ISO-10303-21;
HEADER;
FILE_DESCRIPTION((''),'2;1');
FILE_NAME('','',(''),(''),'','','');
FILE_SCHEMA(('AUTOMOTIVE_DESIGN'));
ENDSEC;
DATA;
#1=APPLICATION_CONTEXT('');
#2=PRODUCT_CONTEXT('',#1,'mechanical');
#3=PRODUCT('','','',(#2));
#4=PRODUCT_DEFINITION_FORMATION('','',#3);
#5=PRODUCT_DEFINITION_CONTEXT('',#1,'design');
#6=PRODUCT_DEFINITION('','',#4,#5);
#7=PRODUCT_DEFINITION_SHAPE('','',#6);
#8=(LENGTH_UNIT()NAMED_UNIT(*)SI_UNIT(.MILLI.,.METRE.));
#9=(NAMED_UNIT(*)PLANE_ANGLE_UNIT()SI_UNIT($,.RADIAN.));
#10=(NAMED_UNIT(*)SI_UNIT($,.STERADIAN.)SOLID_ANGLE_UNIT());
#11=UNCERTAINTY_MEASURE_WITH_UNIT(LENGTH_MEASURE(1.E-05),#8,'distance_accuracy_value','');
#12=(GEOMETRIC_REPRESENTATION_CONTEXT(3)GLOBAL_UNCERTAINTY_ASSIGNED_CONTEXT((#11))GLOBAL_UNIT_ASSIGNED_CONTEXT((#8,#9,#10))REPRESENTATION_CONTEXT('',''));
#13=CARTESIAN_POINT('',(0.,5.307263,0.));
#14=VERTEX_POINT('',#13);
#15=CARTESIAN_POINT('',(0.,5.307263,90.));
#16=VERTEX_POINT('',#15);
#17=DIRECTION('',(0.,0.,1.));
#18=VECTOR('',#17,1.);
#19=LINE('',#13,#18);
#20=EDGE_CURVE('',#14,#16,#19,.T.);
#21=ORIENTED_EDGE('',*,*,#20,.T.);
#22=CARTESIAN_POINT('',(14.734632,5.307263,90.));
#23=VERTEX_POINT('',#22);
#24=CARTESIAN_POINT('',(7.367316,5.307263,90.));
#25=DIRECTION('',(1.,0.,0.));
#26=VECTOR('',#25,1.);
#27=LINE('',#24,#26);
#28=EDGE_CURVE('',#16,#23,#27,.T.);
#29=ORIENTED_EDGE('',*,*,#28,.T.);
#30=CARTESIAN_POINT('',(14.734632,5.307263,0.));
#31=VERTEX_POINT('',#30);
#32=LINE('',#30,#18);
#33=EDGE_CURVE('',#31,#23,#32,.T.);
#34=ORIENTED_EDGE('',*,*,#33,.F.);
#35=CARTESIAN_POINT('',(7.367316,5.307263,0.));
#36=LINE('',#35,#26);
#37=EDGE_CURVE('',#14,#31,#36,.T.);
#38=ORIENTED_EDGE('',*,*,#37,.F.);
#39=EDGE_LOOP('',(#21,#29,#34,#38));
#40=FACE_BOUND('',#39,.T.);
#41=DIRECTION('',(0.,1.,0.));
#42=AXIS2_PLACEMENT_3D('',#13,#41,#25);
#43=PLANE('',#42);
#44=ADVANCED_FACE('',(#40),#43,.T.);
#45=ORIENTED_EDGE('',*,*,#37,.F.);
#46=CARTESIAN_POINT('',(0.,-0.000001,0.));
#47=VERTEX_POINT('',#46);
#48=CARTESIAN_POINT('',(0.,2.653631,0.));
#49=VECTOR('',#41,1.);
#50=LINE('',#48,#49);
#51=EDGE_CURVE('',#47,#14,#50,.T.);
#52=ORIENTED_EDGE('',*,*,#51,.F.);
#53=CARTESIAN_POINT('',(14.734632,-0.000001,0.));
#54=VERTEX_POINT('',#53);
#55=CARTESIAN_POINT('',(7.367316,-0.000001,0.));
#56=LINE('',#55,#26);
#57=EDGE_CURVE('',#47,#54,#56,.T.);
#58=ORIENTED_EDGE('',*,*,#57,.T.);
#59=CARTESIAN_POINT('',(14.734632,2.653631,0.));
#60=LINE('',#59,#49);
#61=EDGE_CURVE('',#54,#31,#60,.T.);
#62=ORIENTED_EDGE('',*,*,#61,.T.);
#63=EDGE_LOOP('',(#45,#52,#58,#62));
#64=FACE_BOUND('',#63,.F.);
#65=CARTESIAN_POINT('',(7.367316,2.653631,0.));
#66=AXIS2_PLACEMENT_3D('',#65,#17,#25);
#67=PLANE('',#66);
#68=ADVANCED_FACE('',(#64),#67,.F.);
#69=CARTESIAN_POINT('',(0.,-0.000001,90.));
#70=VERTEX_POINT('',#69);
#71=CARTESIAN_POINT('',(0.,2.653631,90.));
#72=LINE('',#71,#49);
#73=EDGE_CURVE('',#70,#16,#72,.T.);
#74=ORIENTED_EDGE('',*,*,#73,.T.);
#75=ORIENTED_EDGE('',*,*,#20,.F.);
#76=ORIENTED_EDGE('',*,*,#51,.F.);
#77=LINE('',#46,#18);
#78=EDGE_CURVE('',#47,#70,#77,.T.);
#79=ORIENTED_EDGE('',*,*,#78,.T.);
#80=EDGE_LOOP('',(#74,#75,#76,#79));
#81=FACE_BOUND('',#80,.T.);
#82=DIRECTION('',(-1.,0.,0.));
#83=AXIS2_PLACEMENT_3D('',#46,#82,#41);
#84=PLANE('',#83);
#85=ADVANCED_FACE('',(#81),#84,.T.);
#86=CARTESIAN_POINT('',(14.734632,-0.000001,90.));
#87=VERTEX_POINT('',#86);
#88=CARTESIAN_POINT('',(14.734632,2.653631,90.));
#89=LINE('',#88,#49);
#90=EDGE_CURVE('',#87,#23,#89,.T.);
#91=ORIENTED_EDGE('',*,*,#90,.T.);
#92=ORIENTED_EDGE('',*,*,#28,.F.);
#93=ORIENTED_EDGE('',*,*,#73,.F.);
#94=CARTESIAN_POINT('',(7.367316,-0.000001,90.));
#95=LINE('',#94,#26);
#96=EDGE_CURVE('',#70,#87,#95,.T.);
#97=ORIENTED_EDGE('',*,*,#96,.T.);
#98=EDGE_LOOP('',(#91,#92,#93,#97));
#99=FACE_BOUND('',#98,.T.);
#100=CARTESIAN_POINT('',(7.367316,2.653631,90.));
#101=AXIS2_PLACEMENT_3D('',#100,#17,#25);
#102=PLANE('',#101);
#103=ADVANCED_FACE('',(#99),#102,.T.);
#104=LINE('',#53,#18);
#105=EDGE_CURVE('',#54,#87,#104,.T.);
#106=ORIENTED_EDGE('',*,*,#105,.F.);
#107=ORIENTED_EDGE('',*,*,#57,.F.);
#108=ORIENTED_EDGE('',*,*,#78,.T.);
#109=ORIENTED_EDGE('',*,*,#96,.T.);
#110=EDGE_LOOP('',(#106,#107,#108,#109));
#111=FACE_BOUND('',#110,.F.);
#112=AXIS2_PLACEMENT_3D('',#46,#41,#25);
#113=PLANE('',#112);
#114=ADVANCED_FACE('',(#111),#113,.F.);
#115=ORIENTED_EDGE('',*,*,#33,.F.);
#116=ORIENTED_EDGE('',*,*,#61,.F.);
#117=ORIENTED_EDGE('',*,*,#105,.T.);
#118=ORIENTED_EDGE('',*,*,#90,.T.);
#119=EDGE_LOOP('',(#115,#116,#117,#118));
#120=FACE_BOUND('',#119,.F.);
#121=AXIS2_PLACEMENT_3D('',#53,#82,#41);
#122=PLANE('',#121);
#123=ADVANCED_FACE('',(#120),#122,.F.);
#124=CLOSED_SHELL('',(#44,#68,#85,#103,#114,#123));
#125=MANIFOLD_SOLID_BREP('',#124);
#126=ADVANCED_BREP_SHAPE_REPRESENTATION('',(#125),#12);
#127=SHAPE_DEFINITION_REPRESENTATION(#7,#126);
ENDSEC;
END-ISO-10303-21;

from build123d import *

# Parameters (mm, degrees)
SKETCH_W  = 14.734632
SKETCH_H  = 5.307263
PAD_DEPTH = 90


with BuildPart() as part:
    # Sketch → Pad (new body)
    with BuildSketch(Plane.XY):
        with Locations((7.367316, 2.653631)):
            Rectangle(SKETCH_W, SKETCH_H)
    extrude(amount=PAD_DEPTH)


solid = part.part
